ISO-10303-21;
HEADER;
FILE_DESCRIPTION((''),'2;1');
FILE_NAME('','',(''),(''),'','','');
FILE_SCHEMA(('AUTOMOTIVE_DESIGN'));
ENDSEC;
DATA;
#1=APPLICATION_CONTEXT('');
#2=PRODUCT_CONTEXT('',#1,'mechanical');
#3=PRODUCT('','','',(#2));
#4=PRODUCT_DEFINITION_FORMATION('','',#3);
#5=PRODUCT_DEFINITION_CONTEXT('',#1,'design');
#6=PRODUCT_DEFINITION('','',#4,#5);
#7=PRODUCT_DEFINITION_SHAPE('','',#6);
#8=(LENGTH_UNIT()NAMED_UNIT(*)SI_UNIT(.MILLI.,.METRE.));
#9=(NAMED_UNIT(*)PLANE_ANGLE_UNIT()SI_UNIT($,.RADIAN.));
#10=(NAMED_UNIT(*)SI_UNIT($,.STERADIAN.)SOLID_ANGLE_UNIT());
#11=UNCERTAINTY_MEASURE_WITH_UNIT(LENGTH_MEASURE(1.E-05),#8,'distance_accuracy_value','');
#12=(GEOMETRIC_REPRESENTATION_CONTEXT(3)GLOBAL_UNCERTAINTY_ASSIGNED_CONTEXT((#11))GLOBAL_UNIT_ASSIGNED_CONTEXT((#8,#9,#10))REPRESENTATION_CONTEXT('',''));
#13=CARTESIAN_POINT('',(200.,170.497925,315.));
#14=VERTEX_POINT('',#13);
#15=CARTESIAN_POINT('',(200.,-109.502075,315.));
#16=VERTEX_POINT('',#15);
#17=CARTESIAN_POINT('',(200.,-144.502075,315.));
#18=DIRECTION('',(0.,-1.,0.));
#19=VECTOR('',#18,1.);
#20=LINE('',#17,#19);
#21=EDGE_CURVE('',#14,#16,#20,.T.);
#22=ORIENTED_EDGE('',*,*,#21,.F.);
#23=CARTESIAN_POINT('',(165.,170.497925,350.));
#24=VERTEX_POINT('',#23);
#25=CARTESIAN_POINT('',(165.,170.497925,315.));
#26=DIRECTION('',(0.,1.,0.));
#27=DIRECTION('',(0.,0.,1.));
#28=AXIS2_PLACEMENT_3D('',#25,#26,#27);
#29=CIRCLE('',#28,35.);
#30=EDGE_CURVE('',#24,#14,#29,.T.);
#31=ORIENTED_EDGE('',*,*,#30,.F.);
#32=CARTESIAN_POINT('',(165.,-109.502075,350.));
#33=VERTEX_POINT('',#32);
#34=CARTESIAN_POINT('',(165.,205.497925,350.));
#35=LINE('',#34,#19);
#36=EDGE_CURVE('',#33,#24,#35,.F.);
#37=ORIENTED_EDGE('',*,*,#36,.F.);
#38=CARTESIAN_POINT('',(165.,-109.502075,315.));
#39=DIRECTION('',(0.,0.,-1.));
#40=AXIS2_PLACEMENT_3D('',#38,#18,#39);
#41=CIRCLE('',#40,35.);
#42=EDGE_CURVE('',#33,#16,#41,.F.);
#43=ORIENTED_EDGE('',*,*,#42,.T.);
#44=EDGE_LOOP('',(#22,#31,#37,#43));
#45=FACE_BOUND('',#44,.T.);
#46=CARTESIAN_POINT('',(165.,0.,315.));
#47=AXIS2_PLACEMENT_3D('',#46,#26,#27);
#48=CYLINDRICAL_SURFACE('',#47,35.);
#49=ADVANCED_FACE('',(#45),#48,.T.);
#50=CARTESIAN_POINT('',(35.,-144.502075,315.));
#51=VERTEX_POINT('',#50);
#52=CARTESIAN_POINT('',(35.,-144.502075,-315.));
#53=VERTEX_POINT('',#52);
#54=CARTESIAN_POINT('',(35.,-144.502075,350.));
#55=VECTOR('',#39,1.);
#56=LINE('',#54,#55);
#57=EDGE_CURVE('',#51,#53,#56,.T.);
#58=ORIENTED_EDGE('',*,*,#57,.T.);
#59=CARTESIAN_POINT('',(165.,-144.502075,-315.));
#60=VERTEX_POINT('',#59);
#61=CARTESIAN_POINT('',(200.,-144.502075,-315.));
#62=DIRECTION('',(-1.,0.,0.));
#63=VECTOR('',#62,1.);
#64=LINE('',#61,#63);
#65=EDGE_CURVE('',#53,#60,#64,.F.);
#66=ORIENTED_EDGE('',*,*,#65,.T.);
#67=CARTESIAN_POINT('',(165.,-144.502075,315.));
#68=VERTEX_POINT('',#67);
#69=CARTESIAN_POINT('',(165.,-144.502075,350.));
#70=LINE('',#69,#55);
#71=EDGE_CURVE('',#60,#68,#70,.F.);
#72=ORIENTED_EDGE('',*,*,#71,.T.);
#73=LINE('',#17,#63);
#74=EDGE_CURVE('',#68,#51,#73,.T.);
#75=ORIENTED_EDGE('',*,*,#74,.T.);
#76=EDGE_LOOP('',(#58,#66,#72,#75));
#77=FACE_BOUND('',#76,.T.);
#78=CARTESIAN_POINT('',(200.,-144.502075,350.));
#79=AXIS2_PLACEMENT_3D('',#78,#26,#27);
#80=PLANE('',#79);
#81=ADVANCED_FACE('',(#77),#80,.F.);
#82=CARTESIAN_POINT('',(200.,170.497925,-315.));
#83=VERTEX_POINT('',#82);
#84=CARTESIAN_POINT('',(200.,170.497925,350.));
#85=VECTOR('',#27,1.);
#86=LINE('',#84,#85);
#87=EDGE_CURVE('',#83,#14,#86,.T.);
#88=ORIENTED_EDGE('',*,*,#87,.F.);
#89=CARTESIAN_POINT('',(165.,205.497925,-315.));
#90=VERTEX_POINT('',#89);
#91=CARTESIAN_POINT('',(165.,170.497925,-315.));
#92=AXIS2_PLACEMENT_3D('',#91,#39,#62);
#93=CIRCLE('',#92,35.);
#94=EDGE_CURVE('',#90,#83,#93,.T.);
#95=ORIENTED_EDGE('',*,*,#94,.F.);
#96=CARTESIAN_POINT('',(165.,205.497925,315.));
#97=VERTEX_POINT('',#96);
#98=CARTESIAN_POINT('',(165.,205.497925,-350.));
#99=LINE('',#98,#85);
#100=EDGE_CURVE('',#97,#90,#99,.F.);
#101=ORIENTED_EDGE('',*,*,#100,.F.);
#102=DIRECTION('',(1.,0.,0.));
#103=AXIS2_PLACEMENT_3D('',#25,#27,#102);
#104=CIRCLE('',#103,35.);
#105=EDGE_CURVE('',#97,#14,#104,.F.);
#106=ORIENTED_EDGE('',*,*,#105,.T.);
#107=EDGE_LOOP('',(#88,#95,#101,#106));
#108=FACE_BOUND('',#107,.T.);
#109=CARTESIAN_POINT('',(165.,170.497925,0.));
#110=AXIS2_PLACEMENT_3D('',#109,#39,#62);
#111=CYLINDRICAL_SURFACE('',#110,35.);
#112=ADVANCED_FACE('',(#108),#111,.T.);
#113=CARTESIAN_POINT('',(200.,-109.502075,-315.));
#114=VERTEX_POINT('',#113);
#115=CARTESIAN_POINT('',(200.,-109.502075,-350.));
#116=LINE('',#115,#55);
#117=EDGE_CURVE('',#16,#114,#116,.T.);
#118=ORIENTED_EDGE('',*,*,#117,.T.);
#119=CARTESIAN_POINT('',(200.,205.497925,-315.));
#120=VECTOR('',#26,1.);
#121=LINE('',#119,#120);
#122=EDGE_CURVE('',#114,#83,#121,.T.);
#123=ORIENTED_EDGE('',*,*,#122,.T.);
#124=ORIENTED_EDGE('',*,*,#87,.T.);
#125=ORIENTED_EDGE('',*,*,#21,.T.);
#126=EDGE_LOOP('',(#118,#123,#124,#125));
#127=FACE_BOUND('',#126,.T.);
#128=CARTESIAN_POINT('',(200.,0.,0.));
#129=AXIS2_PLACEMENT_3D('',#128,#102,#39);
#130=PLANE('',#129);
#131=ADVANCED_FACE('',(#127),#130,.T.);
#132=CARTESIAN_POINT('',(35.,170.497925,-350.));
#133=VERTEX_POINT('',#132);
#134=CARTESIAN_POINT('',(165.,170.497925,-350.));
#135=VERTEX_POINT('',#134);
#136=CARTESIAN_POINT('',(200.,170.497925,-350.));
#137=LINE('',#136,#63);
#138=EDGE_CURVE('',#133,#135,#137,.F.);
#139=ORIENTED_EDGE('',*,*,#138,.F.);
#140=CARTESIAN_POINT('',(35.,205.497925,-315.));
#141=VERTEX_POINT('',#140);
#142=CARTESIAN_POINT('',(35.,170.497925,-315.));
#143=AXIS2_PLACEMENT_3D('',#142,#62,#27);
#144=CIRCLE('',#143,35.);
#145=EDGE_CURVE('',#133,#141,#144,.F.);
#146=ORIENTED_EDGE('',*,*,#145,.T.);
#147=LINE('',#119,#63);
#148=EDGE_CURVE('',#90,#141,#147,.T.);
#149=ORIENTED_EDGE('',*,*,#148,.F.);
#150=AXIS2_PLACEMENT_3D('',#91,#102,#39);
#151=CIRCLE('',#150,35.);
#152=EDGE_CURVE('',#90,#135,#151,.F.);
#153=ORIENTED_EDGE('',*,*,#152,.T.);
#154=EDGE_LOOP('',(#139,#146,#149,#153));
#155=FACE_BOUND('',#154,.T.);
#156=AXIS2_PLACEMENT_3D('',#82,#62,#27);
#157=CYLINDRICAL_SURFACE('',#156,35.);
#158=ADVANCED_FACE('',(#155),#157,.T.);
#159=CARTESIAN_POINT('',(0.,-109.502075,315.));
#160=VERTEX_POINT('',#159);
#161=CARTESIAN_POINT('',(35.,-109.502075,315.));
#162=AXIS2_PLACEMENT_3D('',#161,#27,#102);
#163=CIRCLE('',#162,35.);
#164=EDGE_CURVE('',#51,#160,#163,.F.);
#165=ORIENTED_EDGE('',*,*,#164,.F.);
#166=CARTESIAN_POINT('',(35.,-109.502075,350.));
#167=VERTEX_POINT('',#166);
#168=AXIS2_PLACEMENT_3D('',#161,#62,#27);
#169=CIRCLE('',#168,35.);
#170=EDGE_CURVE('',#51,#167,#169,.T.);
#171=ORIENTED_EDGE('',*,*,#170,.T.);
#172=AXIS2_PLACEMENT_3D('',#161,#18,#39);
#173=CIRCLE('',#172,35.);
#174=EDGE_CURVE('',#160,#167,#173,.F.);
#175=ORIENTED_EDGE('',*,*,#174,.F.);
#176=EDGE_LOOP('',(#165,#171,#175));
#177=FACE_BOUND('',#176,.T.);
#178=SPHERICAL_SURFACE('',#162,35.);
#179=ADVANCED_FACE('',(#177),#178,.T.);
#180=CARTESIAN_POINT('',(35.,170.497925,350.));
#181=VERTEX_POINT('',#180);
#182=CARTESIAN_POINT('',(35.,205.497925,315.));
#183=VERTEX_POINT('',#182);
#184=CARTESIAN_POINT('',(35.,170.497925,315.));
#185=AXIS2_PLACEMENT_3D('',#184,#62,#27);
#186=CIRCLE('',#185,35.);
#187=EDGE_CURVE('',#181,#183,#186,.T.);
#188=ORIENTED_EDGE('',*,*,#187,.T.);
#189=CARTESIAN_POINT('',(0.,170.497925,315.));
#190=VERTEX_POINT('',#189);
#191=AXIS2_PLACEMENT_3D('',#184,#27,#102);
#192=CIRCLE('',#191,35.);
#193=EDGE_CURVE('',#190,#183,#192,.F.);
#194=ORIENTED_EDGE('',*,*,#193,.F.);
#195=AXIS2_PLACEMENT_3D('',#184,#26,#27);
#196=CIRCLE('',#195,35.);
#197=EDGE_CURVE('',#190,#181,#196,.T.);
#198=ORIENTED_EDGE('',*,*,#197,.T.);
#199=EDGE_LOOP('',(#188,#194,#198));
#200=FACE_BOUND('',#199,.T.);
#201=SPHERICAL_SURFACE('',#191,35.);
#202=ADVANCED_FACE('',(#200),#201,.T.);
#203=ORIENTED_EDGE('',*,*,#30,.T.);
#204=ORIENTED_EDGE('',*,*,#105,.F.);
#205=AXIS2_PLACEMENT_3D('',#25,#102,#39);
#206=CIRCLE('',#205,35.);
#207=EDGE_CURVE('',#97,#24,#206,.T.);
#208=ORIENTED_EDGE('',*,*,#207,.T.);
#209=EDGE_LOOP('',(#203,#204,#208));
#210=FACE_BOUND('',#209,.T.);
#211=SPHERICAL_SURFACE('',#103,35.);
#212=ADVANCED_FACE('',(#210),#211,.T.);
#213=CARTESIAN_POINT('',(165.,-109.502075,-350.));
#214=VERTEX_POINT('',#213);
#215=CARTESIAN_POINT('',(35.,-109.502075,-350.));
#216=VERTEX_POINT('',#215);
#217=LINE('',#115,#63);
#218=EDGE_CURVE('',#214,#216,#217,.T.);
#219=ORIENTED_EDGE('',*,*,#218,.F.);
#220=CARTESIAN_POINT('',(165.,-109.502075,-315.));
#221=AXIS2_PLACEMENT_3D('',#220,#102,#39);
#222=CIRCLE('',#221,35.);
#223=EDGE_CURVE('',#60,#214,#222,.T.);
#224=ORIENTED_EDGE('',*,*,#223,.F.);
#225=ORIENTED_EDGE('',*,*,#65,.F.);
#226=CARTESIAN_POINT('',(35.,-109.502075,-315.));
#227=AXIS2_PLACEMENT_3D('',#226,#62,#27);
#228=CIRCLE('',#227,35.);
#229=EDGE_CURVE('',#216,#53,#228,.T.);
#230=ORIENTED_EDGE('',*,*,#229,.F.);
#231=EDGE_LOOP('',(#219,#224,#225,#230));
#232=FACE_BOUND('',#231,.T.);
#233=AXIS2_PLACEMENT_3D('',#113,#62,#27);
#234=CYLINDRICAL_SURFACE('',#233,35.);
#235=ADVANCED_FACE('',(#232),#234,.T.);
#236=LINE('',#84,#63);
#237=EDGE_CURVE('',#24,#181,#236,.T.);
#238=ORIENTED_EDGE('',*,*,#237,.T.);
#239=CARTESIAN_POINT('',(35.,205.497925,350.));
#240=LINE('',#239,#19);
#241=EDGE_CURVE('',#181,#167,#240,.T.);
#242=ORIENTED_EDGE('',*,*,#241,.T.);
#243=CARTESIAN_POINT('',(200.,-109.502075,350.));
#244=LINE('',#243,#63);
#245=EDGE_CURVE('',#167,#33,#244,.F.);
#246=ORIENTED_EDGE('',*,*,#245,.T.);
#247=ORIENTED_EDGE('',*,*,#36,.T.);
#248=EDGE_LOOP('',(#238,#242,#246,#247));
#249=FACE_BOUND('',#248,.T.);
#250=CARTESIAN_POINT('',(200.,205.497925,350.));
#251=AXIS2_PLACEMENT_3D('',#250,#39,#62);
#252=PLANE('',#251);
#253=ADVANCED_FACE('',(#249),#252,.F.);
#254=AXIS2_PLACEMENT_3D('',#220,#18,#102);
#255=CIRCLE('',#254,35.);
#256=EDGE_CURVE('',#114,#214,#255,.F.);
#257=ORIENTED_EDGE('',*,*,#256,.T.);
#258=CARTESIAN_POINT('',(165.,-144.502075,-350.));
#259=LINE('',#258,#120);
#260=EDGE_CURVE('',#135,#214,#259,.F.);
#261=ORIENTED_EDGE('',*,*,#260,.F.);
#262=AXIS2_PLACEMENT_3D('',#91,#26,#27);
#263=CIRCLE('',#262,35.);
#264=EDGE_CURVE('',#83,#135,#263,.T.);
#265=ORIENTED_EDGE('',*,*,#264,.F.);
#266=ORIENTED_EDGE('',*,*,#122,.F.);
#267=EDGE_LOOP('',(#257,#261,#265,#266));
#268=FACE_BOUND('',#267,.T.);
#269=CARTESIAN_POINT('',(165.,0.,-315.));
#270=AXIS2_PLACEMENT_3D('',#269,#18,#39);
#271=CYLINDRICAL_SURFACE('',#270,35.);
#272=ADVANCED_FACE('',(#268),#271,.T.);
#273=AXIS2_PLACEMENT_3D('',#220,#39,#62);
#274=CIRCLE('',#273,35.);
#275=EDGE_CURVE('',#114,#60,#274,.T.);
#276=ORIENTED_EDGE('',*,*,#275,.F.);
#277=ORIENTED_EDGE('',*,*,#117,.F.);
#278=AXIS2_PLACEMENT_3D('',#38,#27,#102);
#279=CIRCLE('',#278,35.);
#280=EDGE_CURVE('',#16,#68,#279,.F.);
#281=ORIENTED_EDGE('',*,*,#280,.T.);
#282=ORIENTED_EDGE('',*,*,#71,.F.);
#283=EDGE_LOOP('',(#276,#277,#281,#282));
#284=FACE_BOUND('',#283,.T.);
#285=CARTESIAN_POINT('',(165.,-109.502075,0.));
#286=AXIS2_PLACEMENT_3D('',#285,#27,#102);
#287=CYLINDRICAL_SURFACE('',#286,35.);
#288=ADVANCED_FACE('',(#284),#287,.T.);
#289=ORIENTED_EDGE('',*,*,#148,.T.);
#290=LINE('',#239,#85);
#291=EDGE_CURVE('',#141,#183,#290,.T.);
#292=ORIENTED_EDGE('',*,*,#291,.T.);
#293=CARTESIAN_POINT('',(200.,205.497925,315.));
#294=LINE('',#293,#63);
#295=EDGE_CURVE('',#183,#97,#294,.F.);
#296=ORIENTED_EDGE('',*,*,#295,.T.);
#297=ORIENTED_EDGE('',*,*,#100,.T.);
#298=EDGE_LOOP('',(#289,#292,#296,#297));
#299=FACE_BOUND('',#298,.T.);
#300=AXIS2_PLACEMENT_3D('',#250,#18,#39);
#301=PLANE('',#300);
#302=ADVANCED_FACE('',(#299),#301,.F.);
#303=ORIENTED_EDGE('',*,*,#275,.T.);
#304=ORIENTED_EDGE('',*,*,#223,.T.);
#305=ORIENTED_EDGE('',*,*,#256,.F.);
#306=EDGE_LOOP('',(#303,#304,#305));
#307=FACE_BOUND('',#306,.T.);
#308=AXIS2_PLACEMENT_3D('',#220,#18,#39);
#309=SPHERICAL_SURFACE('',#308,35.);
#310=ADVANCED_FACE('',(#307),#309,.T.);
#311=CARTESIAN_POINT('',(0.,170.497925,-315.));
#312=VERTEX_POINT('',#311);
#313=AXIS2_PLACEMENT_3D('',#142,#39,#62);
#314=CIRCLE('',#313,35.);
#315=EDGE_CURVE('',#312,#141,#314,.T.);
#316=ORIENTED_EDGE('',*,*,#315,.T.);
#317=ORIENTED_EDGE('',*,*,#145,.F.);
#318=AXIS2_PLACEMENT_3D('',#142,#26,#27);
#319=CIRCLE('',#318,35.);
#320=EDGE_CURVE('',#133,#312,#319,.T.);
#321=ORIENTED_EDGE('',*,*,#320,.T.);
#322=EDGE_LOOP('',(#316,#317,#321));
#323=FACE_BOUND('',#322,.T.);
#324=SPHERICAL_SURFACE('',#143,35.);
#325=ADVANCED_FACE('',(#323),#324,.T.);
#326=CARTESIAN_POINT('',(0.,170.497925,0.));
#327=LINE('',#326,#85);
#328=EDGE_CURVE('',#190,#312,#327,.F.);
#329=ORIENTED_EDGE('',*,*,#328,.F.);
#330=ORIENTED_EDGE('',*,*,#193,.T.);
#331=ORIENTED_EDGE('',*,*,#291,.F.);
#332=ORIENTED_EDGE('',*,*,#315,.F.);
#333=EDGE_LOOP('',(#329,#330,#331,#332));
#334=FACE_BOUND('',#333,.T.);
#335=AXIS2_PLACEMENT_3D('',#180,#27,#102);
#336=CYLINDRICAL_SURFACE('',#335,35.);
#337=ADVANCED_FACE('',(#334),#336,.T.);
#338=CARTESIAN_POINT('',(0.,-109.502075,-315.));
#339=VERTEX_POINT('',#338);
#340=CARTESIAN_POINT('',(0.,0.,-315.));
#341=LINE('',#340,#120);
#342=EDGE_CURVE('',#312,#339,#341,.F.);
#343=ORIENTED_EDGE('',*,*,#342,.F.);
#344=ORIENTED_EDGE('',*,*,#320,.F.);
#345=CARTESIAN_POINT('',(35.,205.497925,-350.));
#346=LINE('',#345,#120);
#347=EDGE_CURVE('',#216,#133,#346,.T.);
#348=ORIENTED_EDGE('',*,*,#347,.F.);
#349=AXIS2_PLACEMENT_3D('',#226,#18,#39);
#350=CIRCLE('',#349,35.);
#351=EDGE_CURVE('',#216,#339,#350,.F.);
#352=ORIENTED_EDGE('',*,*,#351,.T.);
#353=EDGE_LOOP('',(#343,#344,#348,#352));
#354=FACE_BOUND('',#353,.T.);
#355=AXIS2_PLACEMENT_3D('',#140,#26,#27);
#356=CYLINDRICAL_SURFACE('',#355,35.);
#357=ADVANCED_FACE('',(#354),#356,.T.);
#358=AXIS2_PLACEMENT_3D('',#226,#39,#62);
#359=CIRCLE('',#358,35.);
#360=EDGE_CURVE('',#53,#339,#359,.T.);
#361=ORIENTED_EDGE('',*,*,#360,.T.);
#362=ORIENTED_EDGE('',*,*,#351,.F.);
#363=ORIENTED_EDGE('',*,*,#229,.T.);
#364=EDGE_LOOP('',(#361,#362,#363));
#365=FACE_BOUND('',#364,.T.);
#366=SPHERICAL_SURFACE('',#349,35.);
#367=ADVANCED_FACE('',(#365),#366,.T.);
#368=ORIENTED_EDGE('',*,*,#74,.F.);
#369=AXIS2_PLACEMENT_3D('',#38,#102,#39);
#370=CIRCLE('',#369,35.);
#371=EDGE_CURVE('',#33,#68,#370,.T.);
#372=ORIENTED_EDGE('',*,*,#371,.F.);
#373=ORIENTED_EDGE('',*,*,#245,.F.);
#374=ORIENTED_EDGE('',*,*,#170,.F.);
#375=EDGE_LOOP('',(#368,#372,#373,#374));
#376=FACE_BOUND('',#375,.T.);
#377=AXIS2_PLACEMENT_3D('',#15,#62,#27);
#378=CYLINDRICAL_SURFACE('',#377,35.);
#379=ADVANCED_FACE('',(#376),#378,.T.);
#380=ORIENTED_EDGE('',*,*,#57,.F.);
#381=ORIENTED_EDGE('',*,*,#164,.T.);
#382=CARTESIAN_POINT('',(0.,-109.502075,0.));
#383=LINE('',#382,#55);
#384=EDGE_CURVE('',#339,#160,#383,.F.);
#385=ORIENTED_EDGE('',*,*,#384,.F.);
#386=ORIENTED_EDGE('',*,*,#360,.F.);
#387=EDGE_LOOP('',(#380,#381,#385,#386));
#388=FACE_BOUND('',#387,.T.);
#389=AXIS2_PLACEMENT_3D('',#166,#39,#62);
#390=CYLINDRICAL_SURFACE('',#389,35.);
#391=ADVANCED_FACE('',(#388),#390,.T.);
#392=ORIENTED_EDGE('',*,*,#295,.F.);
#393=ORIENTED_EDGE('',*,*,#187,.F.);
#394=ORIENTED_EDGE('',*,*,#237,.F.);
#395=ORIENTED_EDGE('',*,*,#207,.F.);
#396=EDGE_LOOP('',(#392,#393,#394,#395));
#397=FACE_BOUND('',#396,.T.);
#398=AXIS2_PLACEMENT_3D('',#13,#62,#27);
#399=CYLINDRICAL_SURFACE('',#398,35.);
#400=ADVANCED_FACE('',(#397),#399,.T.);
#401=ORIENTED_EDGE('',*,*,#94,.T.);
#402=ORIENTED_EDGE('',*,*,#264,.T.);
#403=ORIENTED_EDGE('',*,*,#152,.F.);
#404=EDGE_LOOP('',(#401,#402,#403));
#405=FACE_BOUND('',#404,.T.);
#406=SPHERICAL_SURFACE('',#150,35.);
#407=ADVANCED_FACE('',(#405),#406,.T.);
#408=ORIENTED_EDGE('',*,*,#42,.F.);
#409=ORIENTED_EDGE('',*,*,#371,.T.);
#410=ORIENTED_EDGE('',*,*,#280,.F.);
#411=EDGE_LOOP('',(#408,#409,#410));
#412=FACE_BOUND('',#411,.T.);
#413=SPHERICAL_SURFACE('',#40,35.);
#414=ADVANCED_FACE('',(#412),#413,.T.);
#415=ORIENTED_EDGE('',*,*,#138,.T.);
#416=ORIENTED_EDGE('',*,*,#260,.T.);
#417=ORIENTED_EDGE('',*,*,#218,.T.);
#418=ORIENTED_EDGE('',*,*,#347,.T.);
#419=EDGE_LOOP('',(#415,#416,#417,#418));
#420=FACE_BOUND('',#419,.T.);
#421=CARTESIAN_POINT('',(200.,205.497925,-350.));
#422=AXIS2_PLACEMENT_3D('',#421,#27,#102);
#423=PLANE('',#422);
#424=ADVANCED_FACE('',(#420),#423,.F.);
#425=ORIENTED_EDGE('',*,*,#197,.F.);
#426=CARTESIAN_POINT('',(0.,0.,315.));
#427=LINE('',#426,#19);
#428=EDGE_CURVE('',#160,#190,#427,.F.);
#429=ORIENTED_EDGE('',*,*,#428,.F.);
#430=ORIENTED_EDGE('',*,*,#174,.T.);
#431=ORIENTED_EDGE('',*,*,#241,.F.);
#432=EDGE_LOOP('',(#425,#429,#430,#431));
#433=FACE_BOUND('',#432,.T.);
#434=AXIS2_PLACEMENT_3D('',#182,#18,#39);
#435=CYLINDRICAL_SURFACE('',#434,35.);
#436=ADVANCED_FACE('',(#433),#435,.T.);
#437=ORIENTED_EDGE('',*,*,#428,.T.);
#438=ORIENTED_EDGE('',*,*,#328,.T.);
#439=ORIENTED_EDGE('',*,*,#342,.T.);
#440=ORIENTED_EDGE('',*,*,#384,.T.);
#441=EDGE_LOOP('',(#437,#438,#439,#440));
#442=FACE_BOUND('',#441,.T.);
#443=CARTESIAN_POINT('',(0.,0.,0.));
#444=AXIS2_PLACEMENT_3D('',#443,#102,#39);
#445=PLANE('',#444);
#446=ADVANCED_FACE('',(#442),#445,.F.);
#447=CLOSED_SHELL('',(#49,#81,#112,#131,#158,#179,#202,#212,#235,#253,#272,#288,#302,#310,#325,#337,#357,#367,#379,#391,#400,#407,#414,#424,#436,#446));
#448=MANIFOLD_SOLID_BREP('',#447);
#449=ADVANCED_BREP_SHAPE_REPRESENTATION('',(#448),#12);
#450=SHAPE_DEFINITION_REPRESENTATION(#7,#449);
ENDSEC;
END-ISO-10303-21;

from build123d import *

# Parameters (mm, degrees)
SKETCH1_W           = 700
SKETCH1_H           = 350
BOSS_EXTRUDE1_DEPTH = 200
FILLET1_R           = 35


with BuildPart() as part:
    # Sketch1 → Boss-Extrude1 (new body)
    with BuildSketch(Plane(origin=(0, 0, 0), x_dir=(0, 0, -1), z_dir=(1, 0, 0))):
        with Locations((0, 30.497925311)):
            Rectangle(SKETCH1_W, SKETCH1_H)
    extrude(amount=BOSS_EXTRUDE1_DEPTH)

    # Fillet1
    fillet1_edges = [part.edges().sort_by_distance(p)[0] for p in [
        (200, 30.497925311, 350),
        (200, -144.502074689, 0),
        (200, 30.497925311, -350),
        (0, -144.502074689, 0),
        (0, 30.497925311, 350),
        (0, 205.497925311, 0),
        (0, 30.497925311, -350),
        (100, -144.502074689, -350),
        (100, -144.502074689, 350),
        (100, 205.497925311, 350),
        (100, 205.497925311, -350),
        (200, 205.497925311, 0),
    ]]
    fillet(fillet1_edges, radius=FILLET1_R)


solid = part.part
